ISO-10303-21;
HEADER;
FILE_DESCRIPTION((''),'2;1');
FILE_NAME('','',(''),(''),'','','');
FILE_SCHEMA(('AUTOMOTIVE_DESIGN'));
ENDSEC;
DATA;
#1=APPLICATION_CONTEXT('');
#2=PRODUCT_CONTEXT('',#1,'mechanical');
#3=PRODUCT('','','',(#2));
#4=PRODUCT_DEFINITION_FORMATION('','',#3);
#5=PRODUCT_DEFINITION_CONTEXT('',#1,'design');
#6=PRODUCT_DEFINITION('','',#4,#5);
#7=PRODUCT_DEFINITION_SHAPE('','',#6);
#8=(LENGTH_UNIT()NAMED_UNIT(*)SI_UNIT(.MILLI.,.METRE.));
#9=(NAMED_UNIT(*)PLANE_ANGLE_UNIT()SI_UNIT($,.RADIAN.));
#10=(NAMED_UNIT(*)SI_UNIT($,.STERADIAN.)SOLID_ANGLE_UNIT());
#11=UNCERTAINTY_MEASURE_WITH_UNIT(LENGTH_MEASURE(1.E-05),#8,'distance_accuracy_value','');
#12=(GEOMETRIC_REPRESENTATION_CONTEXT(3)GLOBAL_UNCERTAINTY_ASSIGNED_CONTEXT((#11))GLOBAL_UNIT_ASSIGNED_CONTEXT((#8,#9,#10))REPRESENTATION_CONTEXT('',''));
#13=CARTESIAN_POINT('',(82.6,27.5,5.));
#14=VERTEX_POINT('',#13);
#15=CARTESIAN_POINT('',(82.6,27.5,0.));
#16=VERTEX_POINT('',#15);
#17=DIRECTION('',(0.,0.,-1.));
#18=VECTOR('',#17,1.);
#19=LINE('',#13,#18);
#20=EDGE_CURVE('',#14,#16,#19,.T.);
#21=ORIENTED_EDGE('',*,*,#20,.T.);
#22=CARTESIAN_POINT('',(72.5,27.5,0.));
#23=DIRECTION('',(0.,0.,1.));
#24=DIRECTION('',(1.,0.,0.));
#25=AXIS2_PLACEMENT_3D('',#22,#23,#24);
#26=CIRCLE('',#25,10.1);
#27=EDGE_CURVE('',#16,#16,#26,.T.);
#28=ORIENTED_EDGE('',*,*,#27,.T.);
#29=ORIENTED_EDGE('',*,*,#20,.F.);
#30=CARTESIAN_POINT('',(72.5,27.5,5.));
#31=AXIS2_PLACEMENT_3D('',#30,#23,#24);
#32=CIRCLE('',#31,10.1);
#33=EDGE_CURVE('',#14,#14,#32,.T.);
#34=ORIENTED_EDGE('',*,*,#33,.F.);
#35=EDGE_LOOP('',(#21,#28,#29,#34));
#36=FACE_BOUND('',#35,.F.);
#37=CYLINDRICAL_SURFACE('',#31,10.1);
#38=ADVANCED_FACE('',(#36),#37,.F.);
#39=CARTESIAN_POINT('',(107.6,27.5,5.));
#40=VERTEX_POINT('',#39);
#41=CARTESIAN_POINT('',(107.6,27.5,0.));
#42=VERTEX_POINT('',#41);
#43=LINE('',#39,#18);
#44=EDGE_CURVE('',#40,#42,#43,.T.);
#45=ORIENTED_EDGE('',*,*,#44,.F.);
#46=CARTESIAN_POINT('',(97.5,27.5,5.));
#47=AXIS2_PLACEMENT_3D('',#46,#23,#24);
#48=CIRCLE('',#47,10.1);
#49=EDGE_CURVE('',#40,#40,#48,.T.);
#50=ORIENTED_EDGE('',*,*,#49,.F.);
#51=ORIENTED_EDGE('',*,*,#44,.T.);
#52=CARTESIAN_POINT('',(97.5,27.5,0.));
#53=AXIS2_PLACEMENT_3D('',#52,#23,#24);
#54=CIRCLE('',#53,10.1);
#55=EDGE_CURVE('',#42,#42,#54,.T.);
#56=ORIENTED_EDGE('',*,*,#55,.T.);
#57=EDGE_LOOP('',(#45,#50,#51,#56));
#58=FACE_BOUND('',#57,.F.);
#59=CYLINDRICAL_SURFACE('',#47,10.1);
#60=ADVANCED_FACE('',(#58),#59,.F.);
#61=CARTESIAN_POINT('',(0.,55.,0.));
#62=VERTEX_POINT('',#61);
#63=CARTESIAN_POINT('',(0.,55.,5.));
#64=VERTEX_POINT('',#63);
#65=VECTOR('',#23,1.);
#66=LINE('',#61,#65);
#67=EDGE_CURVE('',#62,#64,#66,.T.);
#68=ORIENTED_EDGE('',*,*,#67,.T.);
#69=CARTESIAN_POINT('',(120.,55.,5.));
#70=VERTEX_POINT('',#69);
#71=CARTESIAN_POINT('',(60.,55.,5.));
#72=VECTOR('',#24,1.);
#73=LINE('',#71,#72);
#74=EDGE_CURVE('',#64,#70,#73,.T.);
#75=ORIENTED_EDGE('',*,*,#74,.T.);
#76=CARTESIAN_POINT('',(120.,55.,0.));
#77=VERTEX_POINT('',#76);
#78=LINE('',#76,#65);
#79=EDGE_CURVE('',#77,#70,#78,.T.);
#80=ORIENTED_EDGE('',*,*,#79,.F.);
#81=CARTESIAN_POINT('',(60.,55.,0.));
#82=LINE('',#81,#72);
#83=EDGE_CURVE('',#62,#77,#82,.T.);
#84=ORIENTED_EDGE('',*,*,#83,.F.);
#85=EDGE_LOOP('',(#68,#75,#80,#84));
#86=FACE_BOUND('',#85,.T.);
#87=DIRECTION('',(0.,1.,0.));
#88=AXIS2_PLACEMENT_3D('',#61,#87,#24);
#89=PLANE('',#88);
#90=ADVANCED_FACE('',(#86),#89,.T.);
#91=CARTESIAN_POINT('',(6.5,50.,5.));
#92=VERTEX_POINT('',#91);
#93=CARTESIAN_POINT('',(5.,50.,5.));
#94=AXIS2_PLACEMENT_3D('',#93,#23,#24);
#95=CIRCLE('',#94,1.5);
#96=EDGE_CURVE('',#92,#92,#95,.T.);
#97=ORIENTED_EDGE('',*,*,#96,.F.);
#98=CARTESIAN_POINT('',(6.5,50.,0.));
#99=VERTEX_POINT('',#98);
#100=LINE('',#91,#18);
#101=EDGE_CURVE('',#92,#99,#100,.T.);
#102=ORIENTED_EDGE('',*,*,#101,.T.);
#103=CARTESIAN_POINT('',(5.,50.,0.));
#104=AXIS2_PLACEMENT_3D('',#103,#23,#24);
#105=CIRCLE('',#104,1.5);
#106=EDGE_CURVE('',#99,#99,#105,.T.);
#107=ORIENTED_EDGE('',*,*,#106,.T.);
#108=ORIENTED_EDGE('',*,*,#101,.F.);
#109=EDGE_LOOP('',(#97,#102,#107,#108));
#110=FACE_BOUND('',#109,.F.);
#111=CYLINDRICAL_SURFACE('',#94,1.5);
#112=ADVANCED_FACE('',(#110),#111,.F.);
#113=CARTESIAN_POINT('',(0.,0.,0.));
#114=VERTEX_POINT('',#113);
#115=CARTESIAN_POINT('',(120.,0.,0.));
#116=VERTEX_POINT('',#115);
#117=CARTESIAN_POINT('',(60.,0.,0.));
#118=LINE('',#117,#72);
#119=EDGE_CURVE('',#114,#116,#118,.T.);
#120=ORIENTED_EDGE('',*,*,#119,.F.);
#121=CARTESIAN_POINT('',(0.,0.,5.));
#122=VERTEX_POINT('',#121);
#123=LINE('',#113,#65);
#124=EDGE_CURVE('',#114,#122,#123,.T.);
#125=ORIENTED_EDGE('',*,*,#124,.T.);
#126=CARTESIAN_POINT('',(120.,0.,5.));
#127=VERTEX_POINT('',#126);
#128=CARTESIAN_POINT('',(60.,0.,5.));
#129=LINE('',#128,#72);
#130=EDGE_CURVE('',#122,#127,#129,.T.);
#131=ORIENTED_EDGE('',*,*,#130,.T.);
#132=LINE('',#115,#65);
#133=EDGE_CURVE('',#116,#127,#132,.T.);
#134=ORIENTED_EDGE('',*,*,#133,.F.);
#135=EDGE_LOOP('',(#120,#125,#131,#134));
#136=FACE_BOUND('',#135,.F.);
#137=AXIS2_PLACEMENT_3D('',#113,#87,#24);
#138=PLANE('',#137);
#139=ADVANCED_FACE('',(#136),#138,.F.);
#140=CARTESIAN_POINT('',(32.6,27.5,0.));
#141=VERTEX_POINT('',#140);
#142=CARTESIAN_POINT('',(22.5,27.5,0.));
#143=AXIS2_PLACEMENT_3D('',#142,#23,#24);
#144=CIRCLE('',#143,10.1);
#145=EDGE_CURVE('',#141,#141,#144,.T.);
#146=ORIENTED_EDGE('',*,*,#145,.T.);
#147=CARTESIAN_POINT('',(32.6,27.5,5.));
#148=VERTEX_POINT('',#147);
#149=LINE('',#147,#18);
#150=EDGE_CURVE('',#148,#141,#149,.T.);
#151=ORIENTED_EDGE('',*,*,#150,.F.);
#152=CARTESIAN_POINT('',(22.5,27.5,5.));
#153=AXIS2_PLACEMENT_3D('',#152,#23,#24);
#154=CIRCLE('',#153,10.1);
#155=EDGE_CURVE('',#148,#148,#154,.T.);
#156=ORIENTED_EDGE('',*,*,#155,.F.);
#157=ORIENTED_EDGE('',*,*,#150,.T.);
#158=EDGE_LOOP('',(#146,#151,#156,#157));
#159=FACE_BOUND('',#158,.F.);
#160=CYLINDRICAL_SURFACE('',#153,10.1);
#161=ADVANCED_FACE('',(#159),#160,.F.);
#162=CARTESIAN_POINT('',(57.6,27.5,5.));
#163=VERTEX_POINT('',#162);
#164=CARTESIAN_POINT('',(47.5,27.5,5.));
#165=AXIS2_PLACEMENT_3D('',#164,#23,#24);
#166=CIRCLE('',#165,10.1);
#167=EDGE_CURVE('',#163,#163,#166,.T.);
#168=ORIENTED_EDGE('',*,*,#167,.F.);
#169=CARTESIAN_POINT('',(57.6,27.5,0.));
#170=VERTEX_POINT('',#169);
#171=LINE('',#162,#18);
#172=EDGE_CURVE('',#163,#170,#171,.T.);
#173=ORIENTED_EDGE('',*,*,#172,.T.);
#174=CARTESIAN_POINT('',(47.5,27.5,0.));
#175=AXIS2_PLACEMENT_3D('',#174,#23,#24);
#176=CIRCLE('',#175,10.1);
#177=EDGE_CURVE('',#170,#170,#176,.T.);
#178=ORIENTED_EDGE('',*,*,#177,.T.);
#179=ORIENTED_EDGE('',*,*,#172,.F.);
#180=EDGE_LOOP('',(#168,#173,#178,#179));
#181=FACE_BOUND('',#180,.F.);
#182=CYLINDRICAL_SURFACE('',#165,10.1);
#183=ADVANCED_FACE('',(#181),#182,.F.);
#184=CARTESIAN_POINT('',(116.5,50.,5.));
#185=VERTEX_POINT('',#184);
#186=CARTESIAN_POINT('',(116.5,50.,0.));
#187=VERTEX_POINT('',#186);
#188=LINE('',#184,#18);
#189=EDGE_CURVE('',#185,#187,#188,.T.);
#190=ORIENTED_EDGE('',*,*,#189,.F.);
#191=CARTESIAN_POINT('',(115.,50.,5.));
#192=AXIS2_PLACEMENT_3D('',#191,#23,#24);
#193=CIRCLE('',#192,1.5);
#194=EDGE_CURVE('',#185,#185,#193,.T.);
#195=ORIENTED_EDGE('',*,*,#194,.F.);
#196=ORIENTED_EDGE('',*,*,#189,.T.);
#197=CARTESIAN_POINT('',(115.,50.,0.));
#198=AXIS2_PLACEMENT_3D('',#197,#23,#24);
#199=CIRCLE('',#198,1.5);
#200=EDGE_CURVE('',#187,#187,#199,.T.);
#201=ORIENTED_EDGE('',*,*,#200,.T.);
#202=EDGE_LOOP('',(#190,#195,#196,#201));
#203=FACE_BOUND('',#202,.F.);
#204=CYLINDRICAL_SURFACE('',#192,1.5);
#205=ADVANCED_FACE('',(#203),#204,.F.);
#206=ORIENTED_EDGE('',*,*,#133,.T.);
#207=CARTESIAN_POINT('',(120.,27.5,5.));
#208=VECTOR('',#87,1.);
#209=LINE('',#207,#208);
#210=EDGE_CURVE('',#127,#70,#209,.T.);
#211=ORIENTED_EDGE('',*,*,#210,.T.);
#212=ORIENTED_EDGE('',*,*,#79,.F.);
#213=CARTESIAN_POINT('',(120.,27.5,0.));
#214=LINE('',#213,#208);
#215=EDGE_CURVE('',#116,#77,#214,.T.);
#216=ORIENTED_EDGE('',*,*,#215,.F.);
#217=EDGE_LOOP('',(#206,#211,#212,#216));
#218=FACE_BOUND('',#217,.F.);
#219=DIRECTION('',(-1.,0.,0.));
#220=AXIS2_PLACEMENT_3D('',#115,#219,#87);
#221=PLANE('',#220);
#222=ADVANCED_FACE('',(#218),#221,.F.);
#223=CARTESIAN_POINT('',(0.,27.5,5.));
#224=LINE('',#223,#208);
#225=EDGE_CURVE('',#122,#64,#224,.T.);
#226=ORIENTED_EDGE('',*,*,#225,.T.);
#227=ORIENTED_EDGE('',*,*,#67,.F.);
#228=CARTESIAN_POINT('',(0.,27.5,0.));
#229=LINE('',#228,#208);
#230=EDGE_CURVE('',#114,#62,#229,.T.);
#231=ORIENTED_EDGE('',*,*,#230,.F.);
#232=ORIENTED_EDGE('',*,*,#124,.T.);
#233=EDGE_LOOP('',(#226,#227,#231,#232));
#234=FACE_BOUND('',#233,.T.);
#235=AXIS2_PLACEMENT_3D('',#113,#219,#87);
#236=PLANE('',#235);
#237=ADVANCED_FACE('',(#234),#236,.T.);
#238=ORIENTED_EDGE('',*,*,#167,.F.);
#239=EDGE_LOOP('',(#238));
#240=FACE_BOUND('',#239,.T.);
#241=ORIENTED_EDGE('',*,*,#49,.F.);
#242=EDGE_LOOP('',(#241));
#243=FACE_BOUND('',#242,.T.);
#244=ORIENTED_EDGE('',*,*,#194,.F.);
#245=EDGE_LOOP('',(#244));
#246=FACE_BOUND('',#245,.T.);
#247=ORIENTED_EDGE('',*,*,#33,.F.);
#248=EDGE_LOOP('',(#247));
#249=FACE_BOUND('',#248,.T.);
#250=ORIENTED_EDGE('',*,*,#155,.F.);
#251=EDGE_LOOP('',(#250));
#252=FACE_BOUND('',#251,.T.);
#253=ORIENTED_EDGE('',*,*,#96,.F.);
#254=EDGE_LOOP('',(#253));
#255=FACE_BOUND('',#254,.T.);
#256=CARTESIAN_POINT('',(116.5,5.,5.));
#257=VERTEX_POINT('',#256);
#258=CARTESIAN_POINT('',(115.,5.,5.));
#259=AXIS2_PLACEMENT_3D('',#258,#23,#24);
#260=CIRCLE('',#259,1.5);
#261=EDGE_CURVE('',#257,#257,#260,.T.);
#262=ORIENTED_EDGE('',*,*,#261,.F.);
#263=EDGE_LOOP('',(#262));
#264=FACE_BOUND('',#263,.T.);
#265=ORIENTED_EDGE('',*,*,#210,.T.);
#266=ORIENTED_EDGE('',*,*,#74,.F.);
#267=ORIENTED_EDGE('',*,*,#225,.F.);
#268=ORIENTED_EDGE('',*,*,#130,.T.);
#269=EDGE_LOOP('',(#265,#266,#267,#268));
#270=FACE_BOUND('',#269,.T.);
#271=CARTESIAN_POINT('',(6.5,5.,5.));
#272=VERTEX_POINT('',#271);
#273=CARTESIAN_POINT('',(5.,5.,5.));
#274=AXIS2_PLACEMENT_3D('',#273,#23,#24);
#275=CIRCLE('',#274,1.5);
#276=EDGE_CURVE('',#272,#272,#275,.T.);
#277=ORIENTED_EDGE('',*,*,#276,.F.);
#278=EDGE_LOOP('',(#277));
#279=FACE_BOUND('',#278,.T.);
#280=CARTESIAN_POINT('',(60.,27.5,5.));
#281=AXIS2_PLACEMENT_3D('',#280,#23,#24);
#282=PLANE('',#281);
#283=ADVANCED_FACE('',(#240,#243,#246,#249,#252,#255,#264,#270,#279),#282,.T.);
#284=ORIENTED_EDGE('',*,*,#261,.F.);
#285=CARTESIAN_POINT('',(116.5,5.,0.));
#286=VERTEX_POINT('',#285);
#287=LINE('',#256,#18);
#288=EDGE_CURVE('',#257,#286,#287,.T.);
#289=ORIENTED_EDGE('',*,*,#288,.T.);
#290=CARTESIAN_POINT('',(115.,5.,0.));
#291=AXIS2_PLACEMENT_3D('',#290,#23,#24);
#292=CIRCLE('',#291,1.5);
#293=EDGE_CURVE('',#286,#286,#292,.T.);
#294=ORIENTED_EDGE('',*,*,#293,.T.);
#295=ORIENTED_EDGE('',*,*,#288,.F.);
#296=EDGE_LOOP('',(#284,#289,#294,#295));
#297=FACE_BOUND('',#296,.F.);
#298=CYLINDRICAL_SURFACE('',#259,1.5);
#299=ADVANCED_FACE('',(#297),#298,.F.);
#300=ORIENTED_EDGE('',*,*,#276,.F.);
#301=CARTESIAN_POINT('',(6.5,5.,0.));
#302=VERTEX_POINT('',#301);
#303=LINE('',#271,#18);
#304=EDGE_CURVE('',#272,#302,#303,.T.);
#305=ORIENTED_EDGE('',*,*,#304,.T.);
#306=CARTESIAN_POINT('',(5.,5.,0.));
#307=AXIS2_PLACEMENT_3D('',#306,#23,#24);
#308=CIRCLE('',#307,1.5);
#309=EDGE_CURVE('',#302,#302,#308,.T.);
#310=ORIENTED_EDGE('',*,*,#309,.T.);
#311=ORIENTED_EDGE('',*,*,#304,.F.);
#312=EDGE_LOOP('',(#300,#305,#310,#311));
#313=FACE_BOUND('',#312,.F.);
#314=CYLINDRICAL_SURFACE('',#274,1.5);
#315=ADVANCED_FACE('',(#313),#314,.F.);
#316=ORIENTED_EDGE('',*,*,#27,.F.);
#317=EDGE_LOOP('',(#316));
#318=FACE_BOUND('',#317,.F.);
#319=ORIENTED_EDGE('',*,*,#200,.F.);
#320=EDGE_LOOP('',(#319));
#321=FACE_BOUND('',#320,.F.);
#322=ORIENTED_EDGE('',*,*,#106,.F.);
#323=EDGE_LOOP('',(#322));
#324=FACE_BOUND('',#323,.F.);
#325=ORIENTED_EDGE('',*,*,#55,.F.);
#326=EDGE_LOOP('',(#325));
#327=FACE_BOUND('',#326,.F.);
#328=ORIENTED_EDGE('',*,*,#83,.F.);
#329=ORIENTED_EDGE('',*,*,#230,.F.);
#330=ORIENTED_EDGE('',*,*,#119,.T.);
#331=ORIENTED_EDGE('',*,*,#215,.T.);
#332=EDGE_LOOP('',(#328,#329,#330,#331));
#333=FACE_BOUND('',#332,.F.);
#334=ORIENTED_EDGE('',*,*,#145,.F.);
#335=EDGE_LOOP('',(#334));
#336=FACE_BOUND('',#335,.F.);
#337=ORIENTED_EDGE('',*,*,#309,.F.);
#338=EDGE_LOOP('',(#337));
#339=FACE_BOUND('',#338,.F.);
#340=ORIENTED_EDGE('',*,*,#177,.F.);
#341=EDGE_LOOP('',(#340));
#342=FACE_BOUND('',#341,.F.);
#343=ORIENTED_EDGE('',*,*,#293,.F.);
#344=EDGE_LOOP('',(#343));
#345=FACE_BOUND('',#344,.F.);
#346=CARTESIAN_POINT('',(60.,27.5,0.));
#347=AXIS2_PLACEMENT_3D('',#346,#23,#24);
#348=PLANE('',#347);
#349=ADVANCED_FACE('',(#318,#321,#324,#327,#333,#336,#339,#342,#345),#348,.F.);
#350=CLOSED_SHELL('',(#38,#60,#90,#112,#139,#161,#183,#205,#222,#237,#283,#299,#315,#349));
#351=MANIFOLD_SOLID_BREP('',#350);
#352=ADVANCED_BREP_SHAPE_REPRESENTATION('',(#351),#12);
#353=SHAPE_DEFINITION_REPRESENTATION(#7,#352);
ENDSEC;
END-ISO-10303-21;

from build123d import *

# Parameters (mm, degrees)
F0_W     = 120
F0_H     = 55
F1_DEPTH = 5
F2_R     = 10.1
F3_DEPTH = 5.001
F4_R     = 1.5
F5_DEPTH = 5.001


with BuildPart() as f1:
    # F0 (on Top) → F1 (new body)
    with BuildSketch(Plane.XY):
        with Locations((60, 27.5)):
            Rectangle(F0_W, F0_H)
    extrude(amount=F1_DEPTH)

    # F2 (on face) → F3 (cut, through all)
    with BuildSketch(Plane.XY.offset(5)):
        with Locations((22.5, 27.5)):
            Circle(F2_R)
        with Locations((47.5, 27.5)):
            Circle(F2_R)
        with Locations((72.5, 27.5)):
            Circle(F2_R)
        with Locations((97.5, 27.5)):
            Circle(F2_R)
    extrude(amount=-F3_DEPTH, mode=Mode.SUBTRACT)

    # F4 (on face) → F5 (cut, through all)
    with BuildSketch(Plane.XY.offset(5)):
        with Locations((5, 50)):
            Circle(F4_R)
        with Locations((115, 50)):
            Circle(F4_R)
        with Locations((115, 5)):
            Circle(F4_R)
        with Locations((5, 5)):
            Circle(F4_R)
    extrude(amount=-F5_DEPTH, mode=Mode.SUBTRACT)


solid = f1.part
